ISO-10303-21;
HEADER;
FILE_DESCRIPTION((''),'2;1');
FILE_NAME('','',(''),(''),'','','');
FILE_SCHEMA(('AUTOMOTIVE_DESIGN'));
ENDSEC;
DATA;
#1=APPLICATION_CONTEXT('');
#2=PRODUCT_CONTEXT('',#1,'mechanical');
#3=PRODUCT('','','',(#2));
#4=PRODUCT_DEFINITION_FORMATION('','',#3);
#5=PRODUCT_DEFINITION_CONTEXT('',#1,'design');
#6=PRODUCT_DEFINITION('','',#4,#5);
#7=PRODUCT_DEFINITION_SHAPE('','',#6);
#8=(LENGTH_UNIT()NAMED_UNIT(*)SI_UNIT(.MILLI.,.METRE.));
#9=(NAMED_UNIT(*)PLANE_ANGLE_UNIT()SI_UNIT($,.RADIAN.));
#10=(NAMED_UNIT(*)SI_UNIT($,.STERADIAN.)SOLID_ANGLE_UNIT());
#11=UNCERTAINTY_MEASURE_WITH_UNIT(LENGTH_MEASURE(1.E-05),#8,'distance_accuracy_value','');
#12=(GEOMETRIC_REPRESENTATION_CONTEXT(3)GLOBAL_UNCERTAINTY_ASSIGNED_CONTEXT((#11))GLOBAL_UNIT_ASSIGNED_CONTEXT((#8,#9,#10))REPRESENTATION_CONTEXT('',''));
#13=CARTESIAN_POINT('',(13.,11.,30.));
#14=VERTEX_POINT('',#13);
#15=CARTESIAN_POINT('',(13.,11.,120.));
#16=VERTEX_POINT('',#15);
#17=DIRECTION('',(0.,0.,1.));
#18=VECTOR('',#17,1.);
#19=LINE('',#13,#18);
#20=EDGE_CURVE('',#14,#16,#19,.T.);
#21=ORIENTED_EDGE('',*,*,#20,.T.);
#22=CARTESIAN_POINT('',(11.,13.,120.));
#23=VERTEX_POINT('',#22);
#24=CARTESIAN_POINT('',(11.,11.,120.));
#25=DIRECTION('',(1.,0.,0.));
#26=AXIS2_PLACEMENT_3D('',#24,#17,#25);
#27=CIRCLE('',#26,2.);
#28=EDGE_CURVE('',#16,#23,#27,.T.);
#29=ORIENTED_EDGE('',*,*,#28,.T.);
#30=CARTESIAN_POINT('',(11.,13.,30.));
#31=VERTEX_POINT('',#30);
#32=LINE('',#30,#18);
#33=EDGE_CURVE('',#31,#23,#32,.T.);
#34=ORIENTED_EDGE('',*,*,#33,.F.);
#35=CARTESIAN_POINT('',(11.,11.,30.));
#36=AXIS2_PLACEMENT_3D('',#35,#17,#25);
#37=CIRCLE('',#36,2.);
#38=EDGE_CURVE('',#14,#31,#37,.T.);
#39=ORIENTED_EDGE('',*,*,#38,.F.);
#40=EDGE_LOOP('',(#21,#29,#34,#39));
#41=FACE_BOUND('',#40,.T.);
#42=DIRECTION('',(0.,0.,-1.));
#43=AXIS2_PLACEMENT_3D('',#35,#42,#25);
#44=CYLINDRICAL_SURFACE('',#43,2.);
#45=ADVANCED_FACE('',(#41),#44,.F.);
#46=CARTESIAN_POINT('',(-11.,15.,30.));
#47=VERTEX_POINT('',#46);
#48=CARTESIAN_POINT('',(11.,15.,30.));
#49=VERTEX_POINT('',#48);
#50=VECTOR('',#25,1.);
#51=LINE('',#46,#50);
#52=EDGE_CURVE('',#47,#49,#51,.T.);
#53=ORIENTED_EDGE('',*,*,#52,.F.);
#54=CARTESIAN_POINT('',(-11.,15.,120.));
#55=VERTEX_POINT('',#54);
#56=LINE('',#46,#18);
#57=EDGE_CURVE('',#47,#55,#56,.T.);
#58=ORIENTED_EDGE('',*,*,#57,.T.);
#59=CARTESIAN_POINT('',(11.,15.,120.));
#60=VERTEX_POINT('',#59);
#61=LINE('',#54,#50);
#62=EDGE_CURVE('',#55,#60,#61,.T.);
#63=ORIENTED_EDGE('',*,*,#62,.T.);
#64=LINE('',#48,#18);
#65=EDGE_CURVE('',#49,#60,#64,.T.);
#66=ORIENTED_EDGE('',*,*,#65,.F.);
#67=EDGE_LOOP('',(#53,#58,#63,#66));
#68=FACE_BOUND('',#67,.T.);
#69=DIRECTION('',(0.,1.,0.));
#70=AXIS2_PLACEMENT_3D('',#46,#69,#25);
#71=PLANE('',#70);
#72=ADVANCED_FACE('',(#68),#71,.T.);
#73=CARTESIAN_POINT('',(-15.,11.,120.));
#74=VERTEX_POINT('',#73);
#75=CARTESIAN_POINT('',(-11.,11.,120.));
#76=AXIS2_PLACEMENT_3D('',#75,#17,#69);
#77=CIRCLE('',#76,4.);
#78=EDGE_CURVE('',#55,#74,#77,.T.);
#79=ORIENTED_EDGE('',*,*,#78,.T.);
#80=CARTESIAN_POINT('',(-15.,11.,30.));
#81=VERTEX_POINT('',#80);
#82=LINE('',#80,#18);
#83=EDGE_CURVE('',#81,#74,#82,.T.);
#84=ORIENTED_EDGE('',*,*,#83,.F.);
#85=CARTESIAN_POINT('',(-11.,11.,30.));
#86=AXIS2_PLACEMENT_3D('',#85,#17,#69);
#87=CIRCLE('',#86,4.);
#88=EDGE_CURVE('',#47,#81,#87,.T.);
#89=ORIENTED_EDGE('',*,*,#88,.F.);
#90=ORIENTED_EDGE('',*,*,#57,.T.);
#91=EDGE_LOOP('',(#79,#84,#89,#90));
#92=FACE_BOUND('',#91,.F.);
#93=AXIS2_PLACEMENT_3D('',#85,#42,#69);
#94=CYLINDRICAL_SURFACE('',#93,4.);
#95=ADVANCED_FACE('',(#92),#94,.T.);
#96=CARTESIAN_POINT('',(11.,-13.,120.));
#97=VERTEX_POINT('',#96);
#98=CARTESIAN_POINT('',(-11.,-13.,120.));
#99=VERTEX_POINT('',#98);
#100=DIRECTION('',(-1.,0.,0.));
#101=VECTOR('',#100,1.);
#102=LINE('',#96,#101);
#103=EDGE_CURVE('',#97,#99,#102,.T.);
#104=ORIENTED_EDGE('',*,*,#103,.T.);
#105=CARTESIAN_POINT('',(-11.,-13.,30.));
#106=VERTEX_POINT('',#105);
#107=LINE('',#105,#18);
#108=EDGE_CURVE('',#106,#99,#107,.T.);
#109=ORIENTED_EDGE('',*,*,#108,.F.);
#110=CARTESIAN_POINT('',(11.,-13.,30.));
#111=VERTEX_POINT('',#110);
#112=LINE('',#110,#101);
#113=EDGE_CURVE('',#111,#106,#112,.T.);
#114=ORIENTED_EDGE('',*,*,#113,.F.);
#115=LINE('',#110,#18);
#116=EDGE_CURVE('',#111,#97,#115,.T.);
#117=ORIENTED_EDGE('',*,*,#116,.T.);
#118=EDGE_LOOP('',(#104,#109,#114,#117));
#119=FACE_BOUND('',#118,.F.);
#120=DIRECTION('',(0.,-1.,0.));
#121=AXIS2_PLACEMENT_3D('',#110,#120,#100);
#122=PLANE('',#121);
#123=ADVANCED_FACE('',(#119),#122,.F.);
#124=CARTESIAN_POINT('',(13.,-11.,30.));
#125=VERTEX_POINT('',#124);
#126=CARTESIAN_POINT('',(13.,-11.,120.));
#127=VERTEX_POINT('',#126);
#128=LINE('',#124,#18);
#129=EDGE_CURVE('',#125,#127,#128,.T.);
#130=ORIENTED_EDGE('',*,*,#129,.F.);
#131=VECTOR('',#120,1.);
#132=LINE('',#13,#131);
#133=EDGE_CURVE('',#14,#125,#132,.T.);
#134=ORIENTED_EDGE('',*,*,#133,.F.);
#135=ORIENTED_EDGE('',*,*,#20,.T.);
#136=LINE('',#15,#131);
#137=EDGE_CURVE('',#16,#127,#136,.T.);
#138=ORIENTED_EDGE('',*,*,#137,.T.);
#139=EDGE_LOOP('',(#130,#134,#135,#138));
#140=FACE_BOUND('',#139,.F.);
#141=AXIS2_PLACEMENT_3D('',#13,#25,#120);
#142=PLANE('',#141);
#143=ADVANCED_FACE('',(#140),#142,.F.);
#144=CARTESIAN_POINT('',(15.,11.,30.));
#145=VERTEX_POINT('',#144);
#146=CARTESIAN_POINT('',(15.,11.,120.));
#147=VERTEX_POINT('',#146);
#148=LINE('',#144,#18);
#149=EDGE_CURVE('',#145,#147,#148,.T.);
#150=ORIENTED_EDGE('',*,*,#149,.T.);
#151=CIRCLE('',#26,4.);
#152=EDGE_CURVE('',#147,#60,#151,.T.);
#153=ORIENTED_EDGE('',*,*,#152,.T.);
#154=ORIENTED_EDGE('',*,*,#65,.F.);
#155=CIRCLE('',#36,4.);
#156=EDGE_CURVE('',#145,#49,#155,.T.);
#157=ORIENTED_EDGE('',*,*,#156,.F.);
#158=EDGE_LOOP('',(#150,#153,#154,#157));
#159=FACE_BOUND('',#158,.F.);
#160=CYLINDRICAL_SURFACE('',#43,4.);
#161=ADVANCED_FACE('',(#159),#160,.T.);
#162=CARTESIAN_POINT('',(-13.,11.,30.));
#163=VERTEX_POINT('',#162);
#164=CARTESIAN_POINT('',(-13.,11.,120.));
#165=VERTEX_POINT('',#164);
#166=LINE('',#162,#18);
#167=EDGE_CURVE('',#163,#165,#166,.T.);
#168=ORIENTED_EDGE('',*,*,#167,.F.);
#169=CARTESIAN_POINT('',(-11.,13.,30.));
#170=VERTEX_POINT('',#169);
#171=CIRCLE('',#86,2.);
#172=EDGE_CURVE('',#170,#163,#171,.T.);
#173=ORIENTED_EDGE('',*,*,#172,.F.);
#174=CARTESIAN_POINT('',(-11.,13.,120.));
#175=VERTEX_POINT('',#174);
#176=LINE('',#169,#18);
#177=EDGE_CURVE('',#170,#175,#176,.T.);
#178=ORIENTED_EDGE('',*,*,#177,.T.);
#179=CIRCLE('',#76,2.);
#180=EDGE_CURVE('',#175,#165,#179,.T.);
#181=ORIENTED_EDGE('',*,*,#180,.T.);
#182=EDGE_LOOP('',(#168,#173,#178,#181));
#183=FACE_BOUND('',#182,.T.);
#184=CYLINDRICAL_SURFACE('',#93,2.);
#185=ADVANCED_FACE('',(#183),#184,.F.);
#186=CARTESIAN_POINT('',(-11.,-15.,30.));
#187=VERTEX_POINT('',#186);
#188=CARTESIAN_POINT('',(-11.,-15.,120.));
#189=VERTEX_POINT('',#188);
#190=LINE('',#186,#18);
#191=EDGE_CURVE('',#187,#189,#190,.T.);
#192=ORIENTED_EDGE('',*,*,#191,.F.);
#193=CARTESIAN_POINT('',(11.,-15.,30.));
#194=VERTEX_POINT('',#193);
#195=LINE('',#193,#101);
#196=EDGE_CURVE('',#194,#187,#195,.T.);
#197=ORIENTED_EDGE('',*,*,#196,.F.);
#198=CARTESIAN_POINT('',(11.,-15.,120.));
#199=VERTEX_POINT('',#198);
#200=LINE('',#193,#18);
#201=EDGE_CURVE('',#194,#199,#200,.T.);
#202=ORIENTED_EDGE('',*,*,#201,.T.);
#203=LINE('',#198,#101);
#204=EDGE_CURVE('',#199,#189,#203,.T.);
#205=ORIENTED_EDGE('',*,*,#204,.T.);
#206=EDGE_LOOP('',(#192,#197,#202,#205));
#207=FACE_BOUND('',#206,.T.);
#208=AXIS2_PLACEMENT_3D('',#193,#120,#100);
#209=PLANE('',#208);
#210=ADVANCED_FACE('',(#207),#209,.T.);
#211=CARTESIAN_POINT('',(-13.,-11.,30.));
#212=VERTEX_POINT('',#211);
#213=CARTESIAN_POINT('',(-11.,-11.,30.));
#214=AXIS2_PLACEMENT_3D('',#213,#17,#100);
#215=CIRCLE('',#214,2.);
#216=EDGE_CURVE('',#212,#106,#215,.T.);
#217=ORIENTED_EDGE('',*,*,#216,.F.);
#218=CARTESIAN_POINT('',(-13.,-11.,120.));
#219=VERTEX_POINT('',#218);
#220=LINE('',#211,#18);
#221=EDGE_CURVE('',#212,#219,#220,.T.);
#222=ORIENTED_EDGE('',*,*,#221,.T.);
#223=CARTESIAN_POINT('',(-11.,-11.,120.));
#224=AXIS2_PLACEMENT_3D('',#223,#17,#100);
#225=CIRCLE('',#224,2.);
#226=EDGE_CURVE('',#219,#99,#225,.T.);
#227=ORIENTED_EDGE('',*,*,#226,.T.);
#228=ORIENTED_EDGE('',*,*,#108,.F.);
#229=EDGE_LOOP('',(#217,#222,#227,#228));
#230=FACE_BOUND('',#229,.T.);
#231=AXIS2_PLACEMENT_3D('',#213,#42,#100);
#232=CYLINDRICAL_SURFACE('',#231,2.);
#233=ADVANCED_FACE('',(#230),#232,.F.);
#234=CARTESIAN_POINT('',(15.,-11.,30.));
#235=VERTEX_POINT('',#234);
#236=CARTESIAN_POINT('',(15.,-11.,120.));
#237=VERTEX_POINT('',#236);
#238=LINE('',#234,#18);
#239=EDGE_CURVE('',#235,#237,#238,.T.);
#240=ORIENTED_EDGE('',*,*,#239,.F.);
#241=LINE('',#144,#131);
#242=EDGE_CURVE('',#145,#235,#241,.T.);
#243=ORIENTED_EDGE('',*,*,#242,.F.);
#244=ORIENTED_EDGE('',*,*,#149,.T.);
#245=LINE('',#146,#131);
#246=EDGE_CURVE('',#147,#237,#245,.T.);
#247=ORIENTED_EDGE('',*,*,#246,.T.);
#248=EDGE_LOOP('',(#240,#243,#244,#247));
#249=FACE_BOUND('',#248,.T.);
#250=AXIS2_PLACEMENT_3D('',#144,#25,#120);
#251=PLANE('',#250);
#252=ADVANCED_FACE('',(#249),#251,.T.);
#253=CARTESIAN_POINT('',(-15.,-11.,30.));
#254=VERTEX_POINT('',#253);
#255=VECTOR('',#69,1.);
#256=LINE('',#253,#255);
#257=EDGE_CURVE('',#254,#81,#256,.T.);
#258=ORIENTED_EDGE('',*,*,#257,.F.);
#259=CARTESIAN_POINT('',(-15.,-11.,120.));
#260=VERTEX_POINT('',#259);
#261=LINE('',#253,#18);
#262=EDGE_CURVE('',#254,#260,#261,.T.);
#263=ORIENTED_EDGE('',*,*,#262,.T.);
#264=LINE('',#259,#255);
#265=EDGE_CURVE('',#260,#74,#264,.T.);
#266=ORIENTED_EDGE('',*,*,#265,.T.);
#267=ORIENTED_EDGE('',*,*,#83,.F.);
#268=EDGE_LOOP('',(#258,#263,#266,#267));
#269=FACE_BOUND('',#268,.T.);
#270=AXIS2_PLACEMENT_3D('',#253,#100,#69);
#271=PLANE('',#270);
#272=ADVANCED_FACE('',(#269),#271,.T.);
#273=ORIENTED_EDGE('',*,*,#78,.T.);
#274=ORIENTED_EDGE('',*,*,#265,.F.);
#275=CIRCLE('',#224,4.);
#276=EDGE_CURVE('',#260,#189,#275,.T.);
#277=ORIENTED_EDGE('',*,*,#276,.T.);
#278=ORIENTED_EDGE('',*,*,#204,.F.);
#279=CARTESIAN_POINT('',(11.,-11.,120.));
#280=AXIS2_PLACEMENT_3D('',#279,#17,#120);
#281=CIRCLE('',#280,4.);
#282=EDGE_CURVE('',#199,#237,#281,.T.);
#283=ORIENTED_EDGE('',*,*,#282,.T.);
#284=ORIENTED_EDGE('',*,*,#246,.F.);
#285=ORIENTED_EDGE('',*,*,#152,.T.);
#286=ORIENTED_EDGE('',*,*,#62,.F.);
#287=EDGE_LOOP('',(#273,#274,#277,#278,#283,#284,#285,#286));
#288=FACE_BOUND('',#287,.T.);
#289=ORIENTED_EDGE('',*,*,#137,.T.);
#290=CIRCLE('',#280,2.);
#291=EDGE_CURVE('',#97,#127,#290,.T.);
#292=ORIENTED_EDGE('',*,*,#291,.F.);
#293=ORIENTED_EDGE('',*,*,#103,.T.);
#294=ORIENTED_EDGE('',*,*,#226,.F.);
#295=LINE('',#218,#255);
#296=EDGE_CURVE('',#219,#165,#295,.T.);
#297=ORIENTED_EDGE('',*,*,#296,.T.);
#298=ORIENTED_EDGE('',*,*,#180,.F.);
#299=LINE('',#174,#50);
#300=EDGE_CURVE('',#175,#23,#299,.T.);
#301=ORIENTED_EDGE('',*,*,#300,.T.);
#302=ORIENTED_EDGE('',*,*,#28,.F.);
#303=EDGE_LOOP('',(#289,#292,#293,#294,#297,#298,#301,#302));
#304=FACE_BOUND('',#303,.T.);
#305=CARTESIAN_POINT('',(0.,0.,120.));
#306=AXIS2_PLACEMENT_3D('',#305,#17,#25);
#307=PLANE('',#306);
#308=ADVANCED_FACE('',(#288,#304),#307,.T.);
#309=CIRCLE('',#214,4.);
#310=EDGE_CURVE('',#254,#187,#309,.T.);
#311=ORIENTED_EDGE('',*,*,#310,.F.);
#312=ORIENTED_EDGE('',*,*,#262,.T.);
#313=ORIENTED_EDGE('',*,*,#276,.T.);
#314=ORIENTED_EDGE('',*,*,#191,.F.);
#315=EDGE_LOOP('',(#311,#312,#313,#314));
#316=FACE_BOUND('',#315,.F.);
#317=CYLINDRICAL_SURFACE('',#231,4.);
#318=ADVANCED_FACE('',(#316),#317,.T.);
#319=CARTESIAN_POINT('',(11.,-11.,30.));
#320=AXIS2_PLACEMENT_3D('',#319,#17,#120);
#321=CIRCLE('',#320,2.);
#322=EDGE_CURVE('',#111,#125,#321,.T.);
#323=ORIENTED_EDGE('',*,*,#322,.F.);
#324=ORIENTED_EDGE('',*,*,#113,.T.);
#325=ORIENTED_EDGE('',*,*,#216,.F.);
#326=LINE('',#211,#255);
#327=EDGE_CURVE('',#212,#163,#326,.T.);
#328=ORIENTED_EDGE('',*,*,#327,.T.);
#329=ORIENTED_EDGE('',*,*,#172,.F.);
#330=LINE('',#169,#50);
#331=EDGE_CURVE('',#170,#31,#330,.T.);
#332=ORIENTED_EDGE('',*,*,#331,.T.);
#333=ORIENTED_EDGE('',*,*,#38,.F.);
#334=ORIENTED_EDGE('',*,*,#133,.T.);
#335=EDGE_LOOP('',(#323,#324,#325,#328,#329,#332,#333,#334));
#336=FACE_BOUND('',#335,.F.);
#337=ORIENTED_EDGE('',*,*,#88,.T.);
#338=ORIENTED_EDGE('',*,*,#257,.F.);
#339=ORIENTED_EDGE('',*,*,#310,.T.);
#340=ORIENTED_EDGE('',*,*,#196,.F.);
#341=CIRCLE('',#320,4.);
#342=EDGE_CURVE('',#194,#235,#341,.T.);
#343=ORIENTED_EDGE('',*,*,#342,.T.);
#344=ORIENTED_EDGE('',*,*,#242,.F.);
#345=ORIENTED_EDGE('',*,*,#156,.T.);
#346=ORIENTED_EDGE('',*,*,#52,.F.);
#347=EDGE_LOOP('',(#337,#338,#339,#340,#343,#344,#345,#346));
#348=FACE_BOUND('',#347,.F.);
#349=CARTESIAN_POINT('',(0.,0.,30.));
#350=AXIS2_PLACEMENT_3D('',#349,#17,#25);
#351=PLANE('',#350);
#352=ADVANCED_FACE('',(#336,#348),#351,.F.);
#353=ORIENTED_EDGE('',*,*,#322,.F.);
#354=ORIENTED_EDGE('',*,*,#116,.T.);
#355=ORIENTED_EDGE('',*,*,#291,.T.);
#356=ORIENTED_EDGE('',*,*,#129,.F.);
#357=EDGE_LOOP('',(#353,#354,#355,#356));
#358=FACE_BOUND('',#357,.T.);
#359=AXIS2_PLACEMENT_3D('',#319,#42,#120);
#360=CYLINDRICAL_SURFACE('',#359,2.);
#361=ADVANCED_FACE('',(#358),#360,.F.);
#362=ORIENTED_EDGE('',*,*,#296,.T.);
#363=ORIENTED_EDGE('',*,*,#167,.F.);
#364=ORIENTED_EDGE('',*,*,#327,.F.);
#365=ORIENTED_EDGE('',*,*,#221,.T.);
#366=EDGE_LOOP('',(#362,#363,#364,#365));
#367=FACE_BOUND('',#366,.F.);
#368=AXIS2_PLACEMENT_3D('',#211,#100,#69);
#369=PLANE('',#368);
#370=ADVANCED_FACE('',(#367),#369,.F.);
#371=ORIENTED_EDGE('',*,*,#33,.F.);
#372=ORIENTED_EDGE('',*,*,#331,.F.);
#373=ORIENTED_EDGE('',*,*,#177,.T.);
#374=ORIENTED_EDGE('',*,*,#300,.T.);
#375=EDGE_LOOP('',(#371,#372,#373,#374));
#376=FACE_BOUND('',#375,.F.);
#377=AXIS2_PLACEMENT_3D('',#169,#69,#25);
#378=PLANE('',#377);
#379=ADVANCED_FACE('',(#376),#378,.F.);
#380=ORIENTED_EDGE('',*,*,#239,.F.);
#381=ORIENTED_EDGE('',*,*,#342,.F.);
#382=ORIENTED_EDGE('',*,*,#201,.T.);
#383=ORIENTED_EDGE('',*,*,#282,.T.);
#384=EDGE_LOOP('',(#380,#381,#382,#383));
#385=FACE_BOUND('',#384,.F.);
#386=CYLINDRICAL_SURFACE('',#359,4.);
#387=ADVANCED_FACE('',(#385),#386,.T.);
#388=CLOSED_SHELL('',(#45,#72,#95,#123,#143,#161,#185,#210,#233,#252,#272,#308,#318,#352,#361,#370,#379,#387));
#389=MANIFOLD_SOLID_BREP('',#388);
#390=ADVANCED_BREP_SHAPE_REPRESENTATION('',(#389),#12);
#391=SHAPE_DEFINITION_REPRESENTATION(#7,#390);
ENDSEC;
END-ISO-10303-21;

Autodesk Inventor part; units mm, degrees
ref_plane "Plano inicial" through (0, 0, 30) normal (0, 0, 1) x (1, 0, 0)
ref_plane "Plano final" through (0, 0, 120) normal (0, 0, 1) x (1, 0, 0)
sketch "Esboço" plane through (0, 0, 0) normal (0, 0, 1) x (1, 0, 0)
  line L0 (-15, -11) -> (-15, 11)
  line L1 (-11, 15) -> (11, 15)
  line L2 (15, 11) -> (15, -11)
  line L3 (11, -15) -> (-11, -15)
  arc A0 (-15, -11) -> (-11, -15) centre (-11, -11) ccw
  arc A1 (15, 11) -> (11, 15) centre (11, 11) ccw
  arc A2 (-11, 15) -> (-15, 11) centre (-11, 11) ccw
  arc A3 (11, -15) -> (15, -11) centre (11, -11) ccw
  arc A4 (-11, 13) -> (-13, 11) centre (-11, 11) ccw
  line L4 (-11, 13) -> (11, 13)
  arc A5 (13, 11) -> (11, 13) centre (11, 11) ccw
  line L5 (13, 11) -> (13, -11)
  arc A6 (11, -13) -> (13, -11) centre (11, -11) ccw
  line L6 (11, -13) -> (-11, -13)
  arc A7 (-13, -11) -> (-11, -13) centre (-11, -11) ccw
  line L7 (-13, -11) -> (-13, 11)
  line L8 (0, 22.1598) -> (0, -22.1598) construction
  line L9 (-22.1598, 0) -> (22.1598, 0) construction
  dimension "d7" = 4
  dimension "d9" = 30
  dimension "d11" = 30
  dimension "d12" = 2
  dimension "d15" = 15
  dimension "d16" = 15
extrude "Corpo" add sketch "Esboço" along normal up to surface (90 mm away) from surface at 30
sketch "Sketch3" plane through (0, 0, 0) normal (0, 0, 1) x (1, 0, 0)
  line L0 (0, 0) -> (10, 0)
ref_plane "Work Plane3" through (0, 0, 0) normal (0, -1, 0) x (1, 0, 0)
sketch "Sketch4" plane through (0, 0, 0) normal (0, -1, 0) x (1, 0, 0)
  line L0 (-2, 30) -> (12, 30)
  line L1 (-2, 120) -> (12, 120)
  dimension "d18" = 90
ref_plane "Plano de trabalho4" through (218, -11, 120) normal (0, 0, 1) x (1, 0, 0)
split "Dividir1" plane through (218, -11, 120) removes the side toward (0, 0, 1)
ref_plane "Plano de trabalho5" through (-332, -11, 30) normal (0, 0, -1) x (-1, 0, 0)
split "Dividir2" plane through (-332, -11, 30) removes the side toward (0, 0, -1)
equation "\"d7\" = G_IR"
equation "\"d9\" = G_W"
equation "\"d11\" = G_H"
equation "\"d12\" = G_T"
equation "\"d15\" = 0.5 * d9"
equation "\"d16\" = 0.5 * d11"
equation "\"d3\" = G_L"
equation "\"G_W\" = 30"
equation "\"G_H\" = 30"
equation "\"G_T\" = 2"
equation "\"G_IR\" = 4"
equation "\"G_L\" = d18"
properties part number "ISO 10799-2 - 30x30x2 - 90" material "Aço, suave"
